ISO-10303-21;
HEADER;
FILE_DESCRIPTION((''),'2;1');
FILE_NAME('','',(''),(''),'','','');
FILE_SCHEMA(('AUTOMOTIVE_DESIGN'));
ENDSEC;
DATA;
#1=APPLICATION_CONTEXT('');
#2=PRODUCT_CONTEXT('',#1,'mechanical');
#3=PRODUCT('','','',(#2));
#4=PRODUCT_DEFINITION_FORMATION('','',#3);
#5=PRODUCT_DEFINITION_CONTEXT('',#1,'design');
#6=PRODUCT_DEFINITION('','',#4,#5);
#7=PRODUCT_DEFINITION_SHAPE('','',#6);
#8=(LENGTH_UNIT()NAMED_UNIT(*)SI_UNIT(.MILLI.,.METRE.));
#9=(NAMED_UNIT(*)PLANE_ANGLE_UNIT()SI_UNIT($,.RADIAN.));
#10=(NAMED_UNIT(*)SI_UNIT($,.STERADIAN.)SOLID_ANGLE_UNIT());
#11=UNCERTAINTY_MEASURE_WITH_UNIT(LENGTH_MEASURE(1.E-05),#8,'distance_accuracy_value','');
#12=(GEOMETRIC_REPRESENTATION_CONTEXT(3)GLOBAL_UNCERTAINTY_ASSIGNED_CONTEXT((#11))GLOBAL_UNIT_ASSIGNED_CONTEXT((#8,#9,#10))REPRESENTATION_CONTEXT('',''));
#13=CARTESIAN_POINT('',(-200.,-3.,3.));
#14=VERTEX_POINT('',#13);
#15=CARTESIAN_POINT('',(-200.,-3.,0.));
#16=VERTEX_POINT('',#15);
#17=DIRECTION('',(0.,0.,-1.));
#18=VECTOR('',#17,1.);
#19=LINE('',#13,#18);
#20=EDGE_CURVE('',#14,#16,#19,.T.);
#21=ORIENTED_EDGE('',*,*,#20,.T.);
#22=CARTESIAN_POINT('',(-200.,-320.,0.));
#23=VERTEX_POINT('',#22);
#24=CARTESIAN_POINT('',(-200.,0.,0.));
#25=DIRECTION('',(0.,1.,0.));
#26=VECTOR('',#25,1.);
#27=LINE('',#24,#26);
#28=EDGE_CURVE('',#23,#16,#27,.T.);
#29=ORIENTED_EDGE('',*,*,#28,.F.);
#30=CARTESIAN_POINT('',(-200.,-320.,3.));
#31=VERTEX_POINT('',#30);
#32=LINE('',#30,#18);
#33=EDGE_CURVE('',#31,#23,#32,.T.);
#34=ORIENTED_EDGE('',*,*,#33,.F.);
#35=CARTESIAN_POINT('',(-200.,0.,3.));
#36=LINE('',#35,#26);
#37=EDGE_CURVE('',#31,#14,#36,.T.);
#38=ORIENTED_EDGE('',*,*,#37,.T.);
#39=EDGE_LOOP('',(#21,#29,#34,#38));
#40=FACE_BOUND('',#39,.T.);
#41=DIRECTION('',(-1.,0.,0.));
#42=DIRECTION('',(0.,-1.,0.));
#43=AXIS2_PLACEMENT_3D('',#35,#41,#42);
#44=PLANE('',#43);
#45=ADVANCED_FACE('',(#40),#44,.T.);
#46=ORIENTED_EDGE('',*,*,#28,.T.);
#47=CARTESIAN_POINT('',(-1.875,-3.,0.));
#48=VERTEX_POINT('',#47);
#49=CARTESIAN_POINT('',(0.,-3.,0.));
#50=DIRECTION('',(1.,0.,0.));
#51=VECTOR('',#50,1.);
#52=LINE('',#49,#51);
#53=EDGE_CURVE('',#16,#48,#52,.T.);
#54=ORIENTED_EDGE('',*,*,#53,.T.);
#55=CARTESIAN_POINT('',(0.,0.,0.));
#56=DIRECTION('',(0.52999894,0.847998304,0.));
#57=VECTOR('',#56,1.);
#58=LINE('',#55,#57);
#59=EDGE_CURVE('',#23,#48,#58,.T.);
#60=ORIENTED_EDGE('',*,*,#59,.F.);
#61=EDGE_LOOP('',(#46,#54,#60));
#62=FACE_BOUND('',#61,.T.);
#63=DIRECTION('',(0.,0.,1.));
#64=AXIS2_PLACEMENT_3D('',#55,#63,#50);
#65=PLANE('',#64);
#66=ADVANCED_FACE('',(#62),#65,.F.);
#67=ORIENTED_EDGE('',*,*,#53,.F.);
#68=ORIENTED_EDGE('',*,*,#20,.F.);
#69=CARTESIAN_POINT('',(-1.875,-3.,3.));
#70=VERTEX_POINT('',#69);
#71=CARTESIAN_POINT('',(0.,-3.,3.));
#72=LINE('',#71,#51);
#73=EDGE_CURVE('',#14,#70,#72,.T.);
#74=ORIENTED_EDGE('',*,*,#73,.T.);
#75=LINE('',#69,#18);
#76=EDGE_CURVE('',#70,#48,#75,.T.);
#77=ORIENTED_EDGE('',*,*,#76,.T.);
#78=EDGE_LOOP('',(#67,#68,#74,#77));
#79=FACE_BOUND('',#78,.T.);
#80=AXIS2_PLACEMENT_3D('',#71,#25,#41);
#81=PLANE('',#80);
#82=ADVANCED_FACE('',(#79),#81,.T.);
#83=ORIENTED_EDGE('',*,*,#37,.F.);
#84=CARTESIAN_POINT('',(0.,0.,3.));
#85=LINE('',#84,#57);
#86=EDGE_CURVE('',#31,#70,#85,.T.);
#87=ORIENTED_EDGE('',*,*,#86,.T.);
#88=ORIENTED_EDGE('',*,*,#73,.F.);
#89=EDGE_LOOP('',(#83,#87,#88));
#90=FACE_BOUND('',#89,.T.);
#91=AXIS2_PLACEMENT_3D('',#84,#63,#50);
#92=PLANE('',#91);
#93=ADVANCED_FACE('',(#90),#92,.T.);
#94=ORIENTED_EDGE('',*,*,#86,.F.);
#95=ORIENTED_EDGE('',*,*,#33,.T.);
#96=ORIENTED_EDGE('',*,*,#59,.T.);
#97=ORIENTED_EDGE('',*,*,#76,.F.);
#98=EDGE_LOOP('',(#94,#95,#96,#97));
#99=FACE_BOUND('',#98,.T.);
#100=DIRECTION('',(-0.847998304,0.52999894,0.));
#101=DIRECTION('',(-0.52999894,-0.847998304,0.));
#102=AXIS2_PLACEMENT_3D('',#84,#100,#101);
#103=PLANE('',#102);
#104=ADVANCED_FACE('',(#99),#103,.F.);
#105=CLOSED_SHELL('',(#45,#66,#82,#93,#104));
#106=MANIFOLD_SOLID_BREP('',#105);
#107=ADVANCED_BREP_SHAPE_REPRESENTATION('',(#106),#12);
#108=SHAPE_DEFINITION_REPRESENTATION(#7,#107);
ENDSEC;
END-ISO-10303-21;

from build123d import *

# Parameters (mm, degrees)
BOSS_EXTRUDE1_DEPTH = 3


with BuildPart() as part:
    # Sketch1 → Boss-Extrude1 (new body)
    with BuildSketch(Plane.XY):
        Polygon((-200, -3), (-200, -320), (-1.875, -3), align=None)
    extrude(amount=BOSS_EXTRUDE1_DEPTH)


solid = part.part
